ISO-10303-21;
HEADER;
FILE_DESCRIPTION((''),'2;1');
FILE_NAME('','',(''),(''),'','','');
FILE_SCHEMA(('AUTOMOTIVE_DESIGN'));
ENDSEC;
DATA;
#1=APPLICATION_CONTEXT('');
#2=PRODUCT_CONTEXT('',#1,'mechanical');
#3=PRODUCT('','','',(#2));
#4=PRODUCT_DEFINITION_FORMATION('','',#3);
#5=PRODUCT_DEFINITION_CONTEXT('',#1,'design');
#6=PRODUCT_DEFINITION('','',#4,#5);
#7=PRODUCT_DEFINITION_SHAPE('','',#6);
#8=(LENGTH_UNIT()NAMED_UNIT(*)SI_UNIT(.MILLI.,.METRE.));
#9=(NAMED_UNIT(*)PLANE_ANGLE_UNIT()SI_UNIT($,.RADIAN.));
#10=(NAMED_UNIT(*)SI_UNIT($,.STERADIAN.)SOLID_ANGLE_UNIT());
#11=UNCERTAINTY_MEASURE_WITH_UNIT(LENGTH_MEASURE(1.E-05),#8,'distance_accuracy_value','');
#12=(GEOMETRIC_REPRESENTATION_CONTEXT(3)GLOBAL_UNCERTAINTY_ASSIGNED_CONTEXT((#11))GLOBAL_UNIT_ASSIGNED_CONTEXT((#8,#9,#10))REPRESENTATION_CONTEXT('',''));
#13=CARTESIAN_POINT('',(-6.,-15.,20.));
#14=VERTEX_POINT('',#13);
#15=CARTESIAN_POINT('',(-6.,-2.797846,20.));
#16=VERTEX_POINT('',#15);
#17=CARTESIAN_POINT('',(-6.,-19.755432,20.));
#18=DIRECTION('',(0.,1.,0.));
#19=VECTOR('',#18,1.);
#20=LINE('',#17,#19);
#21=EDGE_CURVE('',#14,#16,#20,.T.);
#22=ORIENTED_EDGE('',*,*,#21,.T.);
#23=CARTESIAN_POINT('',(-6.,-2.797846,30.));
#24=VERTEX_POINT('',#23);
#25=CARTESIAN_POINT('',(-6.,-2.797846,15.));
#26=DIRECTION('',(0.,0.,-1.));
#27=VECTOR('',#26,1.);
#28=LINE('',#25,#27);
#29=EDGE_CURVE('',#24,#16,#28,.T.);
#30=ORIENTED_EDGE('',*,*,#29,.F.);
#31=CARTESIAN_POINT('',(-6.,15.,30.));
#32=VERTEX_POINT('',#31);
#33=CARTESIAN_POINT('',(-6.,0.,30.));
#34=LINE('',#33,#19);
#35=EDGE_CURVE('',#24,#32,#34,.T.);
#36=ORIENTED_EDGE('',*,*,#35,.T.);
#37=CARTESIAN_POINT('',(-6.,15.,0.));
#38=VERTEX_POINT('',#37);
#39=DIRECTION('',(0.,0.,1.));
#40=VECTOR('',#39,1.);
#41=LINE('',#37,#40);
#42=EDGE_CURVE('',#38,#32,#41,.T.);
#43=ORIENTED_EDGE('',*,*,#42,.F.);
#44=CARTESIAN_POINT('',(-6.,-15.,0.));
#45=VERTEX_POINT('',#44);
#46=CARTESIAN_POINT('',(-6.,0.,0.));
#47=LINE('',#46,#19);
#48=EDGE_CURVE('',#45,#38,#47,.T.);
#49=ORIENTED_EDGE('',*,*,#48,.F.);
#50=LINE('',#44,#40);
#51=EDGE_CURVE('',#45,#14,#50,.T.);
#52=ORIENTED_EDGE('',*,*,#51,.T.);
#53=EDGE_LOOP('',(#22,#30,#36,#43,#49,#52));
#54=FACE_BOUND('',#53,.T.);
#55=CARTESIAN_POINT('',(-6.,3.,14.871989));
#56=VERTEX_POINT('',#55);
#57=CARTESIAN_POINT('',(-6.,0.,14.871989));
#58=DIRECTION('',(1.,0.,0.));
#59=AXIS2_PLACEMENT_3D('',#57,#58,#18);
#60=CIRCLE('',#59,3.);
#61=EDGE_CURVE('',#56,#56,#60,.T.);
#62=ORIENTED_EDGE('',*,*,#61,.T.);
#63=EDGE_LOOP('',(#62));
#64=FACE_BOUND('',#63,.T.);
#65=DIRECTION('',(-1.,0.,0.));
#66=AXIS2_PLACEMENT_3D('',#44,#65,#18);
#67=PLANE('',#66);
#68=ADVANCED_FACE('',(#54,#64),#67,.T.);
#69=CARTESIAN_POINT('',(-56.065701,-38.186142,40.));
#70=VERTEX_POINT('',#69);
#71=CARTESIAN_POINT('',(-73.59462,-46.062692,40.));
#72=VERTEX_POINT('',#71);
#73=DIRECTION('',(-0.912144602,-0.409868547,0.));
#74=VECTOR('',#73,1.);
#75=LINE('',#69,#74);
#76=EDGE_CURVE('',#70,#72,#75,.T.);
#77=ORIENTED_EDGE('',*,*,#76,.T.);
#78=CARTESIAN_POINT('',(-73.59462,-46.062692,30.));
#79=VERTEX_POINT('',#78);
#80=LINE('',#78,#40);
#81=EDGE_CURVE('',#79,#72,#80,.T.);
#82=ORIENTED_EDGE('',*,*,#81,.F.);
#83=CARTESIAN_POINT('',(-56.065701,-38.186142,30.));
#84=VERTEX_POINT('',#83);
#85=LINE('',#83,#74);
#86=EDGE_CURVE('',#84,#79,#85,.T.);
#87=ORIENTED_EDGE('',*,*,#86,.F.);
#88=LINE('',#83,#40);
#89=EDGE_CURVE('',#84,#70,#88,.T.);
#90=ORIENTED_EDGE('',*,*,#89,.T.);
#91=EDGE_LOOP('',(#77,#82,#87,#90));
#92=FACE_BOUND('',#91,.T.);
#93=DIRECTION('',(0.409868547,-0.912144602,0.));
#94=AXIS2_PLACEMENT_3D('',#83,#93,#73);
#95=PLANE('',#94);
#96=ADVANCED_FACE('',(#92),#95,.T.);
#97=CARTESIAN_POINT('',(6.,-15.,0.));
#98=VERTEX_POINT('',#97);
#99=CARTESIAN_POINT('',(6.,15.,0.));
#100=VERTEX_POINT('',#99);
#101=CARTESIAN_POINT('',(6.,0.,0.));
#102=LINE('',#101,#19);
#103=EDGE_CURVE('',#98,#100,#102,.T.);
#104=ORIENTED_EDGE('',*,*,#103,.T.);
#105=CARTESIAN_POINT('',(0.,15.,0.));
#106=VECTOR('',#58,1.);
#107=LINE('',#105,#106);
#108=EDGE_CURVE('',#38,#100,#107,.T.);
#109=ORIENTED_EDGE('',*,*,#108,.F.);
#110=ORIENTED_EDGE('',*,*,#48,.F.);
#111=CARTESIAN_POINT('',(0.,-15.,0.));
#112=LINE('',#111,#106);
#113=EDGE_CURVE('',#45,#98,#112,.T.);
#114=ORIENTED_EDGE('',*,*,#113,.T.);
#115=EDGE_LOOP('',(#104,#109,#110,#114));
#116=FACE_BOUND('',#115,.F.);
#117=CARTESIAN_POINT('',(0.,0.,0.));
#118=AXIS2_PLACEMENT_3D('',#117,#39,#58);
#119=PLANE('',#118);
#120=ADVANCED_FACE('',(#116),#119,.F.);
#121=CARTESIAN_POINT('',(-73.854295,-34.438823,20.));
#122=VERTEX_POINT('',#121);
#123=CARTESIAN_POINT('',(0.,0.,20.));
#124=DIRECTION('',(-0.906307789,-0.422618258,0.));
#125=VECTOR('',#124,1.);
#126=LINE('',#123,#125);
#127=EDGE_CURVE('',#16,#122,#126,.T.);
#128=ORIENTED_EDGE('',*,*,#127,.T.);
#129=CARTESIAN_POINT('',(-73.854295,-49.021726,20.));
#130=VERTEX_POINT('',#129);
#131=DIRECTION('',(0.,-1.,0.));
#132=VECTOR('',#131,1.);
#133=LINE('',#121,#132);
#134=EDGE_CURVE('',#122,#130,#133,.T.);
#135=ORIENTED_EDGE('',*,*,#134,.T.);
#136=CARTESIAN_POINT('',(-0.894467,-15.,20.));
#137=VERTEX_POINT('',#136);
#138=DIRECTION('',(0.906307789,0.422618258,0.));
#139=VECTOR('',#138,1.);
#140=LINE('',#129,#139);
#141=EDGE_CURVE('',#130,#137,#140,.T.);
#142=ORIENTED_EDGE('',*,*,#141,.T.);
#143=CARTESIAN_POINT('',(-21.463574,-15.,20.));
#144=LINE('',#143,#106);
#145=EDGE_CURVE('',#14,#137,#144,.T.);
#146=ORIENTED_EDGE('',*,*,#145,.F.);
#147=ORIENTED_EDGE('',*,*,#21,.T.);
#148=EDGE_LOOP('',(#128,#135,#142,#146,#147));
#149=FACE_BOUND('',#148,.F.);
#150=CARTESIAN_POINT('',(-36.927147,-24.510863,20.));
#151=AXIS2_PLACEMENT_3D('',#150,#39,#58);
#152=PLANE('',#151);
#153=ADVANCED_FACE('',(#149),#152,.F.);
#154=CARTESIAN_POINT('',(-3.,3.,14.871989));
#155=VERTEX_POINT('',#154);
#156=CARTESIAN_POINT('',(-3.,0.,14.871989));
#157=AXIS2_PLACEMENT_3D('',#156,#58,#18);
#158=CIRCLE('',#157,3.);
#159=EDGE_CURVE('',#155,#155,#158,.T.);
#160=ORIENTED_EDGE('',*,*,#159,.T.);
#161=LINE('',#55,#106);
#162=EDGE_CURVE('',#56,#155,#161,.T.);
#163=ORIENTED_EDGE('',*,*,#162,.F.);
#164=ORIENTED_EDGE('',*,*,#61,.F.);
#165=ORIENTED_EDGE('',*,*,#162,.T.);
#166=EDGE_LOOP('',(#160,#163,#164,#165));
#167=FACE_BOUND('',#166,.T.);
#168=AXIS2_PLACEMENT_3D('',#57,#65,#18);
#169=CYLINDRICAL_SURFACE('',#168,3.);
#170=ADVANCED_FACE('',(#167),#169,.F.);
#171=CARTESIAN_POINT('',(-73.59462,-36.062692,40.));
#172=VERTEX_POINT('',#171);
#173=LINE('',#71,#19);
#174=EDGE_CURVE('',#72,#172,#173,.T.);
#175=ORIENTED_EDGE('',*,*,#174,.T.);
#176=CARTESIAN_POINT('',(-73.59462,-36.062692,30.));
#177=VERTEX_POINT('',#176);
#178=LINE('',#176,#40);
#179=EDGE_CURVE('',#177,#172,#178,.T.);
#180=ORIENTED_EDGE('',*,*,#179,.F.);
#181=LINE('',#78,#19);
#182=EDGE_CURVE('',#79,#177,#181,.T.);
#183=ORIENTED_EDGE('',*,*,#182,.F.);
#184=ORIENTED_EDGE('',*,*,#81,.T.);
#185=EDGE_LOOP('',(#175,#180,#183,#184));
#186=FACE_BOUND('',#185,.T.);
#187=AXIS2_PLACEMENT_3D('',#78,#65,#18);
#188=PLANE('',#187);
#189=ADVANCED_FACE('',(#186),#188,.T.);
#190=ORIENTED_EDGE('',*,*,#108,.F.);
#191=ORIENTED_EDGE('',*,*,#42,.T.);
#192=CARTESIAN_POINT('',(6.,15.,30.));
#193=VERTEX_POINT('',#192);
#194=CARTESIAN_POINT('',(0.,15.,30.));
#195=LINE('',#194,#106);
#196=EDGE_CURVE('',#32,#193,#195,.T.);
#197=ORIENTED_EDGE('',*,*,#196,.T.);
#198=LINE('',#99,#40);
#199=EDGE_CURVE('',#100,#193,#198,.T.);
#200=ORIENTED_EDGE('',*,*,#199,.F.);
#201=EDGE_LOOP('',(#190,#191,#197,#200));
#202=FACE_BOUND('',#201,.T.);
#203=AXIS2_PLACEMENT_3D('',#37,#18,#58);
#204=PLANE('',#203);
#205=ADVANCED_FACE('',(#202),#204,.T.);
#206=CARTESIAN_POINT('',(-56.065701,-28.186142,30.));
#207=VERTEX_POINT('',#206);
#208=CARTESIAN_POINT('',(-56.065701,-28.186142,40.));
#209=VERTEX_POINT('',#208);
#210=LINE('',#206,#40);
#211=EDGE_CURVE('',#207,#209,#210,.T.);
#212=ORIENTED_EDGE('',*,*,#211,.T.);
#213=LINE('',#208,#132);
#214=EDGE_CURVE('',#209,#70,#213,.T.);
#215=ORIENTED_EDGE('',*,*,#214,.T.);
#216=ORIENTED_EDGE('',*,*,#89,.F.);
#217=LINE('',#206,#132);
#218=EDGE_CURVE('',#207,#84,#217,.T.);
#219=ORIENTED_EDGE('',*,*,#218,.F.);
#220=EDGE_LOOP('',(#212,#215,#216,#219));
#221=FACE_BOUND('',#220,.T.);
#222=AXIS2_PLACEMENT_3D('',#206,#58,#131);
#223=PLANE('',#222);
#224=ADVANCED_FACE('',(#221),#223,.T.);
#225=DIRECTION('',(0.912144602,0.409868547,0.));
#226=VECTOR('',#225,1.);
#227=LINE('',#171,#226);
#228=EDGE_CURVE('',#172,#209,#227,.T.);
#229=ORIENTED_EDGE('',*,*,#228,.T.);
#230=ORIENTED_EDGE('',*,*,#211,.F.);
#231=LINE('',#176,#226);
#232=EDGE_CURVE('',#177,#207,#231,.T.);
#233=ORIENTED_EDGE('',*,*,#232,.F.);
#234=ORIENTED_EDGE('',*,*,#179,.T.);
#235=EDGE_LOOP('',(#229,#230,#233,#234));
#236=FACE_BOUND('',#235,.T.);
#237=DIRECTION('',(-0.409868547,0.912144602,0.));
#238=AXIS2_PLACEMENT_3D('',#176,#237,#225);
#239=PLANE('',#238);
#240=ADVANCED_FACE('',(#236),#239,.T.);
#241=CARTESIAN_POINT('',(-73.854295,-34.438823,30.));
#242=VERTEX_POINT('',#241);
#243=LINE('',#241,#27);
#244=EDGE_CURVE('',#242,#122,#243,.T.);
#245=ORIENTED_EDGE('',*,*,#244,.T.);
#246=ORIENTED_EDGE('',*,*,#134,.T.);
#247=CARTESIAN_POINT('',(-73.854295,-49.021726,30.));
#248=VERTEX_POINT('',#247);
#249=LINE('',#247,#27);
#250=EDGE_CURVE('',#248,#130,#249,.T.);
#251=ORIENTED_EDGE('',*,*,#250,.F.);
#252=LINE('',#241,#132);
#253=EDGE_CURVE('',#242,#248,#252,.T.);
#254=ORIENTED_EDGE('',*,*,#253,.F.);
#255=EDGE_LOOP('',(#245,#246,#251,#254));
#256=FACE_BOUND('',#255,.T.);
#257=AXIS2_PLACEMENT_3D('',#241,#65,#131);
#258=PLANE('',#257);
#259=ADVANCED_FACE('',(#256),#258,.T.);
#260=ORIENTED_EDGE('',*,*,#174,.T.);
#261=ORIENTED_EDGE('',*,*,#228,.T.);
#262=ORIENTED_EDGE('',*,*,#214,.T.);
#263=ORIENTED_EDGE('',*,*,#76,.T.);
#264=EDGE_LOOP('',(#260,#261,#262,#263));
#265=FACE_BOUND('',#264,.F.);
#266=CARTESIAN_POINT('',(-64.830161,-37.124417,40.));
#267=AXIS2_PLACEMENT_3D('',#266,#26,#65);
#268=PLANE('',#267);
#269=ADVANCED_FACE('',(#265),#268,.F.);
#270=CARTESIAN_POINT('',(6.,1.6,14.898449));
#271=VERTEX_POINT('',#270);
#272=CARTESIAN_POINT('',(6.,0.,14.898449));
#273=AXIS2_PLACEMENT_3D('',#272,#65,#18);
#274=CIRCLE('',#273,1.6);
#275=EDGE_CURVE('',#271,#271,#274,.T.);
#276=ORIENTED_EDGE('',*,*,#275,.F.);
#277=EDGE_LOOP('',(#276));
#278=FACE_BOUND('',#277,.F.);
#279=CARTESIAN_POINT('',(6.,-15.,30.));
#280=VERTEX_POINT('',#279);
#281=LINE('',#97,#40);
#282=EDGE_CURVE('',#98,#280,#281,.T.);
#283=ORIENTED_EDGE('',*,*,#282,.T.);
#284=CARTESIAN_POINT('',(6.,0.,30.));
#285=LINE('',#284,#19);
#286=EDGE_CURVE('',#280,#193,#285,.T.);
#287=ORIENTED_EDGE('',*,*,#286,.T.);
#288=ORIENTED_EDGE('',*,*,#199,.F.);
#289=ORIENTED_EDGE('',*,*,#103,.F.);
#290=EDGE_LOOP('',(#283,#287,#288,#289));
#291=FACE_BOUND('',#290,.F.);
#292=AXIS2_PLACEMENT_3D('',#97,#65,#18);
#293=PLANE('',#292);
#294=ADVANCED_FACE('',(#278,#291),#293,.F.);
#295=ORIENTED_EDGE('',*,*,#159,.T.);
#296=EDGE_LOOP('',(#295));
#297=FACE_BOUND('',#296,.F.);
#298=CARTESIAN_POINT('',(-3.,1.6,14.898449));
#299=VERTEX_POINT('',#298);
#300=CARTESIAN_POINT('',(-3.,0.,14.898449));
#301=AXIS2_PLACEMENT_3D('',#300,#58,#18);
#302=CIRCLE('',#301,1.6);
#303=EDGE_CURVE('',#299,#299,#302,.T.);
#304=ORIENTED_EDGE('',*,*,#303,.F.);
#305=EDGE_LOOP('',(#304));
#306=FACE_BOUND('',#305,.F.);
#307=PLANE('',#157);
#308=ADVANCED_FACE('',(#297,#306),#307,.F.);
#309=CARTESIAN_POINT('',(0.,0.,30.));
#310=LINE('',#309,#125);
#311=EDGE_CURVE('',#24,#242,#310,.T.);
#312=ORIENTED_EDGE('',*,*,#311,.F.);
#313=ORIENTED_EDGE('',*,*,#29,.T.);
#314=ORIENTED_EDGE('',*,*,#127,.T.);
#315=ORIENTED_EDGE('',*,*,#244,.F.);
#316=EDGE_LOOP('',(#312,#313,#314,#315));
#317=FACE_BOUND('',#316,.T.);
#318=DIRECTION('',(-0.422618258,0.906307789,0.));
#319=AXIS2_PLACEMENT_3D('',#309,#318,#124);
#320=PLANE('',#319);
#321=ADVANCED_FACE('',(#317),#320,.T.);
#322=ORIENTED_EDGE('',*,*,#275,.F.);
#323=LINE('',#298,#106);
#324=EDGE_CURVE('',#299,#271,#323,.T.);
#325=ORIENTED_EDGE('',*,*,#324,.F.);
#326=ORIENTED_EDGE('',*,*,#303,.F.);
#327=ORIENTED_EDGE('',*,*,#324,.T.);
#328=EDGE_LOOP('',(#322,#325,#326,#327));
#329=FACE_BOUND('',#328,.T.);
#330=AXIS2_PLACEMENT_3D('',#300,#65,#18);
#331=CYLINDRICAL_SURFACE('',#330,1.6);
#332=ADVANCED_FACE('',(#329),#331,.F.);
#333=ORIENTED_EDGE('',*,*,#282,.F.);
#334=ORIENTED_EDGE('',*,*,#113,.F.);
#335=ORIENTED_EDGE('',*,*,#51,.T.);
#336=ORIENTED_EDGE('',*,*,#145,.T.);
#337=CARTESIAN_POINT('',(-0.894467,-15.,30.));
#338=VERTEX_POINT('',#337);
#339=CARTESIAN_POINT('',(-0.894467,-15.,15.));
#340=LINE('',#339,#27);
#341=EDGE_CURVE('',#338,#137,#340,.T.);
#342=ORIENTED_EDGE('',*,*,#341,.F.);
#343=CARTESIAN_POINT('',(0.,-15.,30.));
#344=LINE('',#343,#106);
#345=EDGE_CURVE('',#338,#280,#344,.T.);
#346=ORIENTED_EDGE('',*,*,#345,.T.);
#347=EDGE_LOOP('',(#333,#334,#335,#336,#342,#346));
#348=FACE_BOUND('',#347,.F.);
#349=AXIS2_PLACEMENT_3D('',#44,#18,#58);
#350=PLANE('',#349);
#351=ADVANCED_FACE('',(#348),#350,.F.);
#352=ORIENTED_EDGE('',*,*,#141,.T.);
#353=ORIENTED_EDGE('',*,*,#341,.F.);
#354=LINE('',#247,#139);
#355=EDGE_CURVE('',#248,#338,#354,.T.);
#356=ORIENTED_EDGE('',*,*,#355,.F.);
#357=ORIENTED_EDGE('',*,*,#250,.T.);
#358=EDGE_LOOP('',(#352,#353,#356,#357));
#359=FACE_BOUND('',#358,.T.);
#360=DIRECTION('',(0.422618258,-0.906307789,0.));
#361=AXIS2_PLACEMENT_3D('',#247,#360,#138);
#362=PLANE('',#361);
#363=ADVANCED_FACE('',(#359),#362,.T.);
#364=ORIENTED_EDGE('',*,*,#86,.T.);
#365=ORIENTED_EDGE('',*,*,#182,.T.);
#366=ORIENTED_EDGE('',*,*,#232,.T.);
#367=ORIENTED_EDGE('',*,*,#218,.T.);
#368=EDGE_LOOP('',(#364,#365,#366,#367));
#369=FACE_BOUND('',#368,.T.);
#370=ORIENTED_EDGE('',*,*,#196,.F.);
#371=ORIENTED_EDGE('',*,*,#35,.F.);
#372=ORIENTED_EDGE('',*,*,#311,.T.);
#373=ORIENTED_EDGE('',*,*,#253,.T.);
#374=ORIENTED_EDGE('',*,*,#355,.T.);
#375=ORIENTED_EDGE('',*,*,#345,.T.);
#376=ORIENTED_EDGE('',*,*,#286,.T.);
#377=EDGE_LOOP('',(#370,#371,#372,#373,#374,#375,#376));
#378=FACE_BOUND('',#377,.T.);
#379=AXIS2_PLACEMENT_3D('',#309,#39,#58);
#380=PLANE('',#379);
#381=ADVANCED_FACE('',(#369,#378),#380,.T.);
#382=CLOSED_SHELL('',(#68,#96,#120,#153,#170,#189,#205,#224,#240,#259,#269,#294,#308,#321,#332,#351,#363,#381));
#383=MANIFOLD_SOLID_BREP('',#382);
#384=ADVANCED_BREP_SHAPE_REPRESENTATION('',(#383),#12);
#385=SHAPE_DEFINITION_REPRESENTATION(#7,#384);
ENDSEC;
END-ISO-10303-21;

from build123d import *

# Parameters (mm, degrees)
SKETCH_W        = 12
SKETCH_H        = 30
PAD_DEPTH       = 30
PAD001_DEPTH    = 10
SKETCH004_R     = 3
POCKET001_DEPTH = 3
SKETCH005_R     = 1.6
POCKET_DEPTH    = 9.001
PAD002_DEPTH    = 10


with BuildPart() as part:
    # Sketch → Pad (new body)
    with BuildSketch(Plane.XY):
        Rectangle(SKETCH_W, SKETCH_H)
    extrude(amount=PAD_DEPTH)

    # Sketch001 → Pad001 (join)
    with BuildSketch(Plane.XY.offset(30)):
        Polygon((0, 0), (-73.854295, -34.438823), (-73.854295, -49.021726), (0, -14.582903), align=None)
    extrude(amount=-PAD001_DEPTH)

    # Sketch004 → Pocket001 (cut)
    with BuildSketch(Plane.YZ.offset(-6)):
        with Locations((0, 14.871989)):
            Circle(SKETCH004_R)
    extrude(amount=POCKET001_DEPTH, mode=Mode.SUBTRACT)

    # Sketch005 → Pocket (cut, through all)
    with BuildSketch(Plane.YZ.offset(-3)):
        with Locations((0, 14.898449)):
            Circle(SKETCH005_R)
    extrude(amount=POCKET_DEPTH, mode=Mode.SUBTRACT)

    # Sketch006 → Pad002 (join)
    with BuildSketch(Plane.XY.offset(30)):
        Polygon((-73.59462, -36.062692), (-56.065701, -28.186142), (-56.065701, -38.186142), (-73.59462, -46.062692), align=None)
    extrude(amount=PAD002_DEPTH)


solid = part.part
